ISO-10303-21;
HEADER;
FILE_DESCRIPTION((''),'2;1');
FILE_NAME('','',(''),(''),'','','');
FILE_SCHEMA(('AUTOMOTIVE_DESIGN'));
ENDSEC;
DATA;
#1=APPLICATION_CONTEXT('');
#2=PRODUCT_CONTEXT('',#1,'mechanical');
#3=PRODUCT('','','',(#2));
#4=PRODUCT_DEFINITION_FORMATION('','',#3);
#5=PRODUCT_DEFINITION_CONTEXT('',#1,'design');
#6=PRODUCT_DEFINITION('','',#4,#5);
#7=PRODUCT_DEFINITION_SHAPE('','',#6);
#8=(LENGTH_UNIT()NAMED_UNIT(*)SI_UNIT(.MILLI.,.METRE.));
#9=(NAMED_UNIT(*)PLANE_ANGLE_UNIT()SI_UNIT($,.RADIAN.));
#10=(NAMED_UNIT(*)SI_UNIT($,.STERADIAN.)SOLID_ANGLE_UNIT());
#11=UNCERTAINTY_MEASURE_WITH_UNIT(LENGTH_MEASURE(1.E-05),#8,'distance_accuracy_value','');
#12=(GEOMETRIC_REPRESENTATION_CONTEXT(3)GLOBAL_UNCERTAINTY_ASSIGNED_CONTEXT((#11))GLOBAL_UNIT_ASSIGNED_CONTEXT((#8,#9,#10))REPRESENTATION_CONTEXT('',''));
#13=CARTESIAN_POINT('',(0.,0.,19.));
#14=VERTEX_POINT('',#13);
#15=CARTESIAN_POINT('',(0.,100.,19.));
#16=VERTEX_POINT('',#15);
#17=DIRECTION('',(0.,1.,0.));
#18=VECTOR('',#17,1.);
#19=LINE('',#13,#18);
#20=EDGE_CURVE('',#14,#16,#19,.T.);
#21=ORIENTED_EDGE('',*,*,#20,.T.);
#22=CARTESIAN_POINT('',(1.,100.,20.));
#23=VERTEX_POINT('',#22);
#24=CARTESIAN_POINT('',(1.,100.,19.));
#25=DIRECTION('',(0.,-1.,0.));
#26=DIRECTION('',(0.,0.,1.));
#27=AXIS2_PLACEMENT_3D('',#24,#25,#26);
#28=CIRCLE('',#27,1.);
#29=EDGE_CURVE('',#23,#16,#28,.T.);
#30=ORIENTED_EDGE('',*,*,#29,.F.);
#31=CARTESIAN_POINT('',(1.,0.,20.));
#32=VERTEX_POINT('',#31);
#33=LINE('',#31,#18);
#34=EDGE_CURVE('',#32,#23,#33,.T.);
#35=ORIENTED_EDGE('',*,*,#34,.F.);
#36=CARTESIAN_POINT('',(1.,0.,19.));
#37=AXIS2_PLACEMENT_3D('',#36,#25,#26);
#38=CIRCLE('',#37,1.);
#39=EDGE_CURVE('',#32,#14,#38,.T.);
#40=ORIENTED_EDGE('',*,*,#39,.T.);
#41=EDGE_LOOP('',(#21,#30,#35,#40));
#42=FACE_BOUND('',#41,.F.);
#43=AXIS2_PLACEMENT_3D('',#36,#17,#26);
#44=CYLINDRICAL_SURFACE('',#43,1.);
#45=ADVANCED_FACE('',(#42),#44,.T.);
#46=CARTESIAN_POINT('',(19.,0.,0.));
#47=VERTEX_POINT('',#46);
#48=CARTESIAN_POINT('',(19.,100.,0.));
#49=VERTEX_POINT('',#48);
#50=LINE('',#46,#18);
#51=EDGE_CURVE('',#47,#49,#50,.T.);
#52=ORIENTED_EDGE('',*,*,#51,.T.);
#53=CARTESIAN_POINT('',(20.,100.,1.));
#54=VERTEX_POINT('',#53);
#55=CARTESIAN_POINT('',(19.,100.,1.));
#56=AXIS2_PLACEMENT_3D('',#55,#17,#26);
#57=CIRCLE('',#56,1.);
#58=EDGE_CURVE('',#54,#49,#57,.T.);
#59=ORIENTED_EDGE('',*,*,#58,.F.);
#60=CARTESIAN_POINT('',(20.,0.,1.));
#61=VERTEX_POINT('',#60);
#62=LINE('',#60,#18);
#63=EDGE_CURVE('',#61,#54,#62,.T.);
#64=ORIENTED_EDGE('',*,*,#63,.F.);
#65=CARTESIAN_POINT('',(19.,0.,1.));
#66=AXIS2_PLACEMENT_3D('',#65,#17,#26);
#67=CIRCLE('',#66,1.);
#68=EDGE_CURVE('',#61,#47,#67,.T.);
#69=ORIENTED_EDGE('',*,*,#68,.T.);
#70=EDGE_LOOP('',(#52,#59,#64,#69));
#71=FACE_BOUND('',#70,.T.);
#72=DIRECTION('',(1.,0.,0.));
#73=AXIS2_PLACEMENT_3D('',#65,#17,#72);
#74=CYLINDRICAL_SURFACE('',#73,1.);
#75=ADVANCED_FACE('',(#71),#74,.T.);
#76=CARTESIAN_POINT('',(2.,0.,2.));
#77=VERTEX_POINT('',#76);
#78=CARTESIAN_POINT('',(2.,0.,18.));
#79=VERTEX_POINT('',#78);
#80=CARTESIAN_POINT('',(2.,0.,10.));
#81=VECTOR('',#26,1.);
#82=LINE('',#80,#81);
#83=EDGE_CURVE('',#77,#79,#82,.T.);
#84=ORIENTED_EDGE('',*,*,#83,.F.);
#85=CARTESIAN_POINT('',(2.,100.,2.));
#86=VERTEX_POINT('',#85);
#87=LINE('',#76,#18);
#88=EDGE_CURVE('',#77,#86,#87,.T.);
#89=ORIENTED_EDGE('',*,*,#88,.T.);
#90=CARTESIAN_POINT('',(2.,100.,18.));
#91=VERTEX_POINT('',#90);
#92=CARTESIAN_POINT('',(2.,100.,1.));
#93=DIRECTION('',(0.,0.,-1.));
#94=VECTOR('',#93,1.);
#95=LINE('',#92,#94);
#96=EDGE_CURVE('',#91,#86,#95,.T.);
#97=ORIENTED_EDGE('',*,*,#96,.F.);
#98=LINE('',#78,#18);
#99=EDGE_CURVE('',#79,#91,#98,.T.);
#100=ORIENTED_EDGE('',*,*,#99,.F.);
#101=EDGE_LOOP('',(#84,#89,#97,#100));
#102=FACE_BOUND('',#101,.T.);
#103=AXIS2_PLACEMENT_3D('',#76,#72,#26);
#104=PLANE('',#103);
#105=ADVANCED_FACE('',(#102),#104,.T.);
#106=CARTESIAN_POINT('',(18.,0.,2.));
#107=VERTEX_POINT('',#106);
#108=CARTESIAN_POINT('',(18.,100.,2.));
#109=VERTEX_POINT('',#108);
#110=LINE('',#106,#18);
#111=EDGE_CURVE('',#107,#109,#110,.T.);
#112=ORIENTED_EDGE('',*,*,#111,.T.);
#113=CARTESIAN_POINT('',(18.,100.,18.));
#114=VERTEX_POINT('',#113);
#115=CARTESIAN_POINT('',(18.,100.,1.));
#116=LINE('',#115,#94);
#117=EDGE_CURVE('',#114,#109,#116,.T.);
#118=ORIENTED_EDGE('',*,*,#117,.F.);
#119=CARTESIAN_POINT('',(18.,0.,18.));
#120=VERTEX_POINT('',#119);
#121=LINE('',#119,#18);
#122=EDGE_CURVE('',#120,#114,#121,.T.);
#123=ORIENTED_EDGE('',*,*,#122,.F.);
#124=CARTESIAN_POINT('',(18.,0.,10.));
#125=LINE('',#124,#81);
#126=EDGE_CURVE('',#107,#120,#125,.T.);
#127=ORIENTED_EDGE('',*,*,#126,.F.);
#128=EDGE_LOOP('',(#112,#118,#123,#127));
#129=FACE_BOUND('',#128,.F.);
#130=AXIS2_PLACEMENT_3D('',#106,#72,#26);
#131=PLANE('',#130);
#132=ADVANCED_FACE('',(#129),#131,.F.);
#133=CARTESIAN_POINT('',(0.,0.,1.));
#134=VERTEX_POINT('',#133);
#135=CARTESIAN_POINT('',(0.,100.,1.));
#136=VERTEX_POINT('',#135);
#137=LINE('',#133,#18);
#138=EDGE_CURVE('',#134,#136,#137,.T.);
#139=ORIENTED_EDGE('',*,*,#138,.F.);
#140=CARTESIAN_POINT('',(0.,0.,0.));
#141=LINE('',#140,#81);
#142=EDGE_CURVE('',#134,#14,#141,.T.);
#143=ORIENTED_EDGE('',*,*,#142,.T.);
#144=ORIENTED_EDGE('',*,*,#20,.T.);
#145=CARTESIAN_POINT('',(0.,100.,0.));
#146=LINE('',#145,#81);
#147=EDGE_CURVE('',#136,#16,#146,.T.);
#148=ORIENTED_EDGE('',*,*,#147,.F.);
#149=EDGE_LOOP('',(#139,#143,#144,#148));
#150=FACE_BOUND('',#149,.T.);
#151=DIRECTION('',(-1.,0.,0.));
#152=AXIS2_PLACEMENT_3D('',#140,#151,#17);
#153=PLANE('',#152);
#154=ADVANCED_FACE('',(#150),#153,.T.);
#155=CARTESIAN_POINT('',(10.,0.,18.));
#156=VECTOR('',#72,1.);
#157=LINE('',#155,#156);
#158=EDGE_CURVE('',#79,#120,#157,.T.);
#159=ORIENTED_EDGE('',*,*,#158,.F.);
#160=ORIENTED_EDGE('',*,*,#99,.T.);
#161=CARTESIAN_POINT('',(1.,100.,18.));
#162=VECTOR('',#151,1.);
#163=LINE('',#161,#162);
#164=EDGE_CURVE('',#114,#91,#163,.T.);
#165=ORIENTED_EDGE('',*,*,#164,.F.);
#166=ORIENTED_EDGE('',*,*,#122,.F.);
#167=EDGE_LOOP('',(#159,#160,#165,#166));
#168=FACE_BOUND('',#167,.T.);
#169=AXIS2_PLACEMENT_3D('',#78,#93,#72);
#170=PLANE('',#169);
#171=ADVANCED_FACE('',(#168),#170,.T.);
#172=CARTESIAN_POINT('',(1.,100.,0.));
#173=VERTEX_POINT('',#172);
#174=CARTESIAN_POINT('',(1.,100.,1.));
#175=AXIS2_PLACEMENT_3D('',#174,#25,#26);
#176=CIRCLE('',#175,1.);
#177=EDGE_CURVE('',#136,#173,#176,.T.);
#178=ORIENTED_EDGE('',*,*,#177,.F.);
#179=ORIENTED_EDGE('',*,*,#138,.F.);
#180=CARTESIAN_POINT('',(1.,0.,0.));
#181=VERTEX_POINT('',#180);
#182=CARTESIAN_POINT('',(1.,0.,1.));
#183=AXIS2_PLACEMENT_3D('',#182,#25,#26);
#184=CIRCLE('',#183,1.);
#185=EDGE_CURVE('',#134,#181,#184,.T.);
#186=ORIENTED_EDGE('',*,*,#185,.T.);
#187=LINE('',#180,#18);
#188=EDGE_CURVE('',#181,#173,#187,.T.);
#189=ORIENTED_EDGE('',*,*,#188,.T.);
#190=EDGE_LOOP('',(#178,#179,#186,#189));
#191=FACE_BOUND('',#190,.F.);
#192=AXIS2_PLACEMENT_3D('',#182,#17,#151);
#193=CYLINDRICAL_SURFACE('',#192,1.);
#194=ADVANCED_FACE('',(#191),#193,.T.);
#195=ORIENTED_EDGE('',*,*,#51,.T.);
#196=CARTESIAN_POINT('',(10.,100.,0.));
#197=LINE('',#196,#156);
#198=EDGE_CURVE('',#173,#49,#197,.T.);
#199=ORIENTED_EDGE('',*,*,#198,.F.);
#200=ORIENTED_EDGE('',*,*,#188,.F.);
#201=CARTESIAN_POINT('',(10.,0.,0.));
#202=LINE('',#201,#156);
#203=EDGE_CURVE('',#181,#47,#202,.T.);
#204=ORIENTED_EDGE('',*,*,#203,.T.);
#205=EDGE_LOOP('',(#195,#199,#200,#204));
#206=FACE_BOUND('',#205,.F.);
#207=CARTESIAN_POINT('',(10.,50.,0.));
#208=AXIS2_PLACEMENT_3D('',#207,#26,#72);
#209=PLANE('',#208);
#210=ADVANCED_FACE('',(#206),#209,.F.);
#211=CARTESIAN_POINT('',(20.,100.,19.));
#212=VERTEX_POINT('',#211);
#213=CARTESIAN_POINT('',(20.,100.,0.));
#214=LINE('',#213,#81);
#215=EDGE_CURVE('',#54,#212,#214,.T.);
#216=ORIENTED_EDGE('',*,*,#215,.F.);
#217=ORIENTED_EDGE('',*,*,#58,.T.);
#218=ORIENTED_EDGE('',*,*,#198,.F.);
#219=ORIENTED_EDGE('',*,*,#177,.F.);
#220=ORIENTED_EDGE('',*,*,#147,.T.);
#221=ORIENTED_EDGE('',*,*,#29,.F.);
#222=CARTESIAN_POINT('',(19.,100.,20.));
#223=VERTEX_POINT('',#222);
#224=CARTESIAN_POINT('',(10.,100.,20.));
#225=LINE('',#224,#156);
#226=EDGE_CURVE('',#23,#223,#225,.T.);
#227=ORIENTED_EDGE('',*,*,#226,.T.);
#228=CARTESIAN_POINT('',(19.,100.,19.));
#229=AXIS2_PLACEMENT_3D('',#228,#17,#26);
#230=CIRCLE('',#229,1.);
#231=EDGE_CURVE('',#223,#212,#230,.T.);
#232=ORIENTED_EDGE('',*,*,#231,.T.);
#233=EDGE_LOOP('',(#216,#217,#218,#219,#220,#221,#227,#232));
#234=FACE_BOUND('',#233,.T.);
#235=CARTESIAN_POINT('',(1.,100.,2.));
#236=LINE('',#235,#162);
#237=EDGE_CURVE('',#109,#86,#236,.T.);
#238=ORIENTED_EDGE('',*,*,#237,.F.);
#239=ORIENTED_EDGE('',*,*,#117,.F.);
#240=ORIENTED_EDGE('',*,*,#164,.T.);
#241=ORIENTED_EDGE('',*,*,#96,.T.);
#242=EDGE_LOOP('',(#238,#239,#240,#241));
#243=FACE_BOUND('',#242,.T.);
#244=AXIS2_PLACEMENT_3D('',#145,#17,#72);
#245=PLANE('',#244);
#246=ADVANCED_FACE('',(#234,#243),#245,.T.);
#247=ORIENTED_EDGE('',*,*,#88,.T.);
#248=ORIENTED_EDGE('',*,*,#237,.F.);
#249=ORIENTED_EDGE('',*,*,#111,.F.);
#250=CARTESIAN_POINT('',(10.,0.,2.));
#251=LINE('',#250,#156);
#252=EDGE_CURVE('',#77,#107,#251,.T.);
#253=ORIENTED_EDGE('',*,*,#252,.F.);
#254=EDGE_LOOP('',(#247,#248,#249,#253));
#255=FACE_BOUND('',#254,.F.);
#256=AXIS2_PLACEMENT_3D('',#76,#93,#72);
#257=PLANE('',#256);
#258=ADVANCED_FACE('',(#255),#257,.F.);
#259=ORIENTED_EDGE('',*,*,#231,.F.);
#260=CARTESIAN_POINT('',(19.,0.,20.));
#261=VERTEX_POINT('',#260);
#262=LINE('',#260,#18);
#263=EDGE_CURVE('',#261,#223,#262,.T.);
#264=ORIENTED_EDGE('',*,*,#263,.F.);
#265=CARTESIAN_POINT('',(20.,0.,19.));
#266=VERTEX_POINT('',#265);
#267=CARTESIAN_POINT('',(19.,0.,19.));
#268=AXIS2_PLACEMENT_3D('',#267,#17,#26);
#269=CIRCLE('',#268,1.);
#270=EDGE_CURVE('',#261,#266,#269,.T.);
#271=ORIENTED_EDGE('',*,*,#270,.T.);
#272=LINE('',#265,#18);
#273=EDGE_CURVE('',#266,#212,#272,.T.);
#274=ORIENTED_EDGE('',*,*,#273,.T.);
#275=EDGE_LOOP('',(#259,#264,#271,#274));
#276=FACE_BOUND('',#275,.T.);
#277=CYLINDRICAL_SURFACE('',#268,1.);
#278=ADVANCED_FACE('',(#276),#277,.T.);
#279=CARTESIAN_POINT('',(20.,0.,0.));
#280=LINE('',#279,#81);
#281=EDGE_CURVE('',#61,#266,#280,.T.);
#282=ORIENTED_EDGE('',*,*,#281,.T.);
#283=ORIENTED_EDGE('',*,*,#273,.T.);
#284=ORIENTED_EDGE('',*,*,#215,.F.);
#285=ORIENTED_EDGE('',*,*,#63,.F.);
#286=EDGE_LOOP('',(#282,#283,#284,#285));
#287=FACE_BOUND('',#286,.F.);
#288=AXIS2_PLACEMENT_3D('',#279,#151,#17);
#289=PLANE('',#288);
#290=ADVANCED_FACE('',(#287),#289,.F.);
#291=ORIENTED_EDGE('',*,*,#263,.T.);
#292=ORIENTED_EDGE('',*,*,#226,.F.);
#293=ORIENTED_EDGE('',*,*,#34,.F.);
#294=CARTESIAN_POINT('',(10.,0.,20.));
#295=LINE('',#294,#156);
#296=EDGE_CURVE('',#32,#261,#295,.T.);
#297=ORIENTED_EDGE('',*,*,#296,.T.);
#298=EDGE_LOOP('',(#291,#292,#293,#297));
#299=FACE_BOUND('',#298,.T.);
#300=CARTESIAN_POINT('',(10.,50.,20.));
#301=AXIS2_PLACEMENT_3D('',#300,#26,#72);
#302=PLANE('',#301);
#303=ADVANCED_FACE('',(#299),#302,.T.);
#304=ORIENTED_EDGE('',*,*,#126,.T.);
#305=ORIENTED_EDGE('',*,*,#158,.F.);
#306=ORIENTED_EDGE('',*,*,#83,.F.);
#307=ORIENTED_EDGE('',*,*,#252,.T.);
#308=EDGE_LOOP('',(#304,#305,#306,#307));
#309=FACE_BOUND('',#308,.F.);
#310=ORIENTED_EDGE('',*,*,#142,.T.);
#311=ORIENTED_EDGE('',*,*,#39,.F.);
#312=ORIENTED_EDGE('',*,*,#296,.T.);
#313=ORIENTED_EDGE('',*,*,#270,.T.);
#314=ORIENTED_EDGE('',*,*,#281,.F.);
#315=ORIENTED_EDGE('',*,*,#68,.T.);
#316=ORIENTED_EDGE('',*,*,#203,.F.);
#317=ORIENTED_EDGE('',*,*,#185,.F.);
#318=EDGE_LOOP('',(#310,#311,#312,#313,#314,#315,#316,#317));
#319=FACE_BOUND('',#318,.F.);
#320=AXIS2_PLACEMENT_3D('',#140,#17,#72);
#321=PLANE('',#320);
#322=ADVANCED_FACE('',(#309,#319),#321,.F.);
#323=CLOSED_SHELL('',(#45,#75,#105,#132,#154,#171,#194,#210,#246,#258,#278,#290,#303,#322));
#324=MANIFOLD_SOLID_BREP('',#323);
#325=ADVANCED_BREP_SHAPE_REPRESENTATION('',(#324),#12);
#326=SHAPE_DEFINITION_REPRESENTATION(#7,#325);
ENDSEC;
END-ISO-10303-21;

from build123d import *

# Parameters (mm, degrees)
SKETCH_W     = 20
SKETCH_H     = 100
PAD_DEPTH    = 20
SKETCH001_W  = 16
SKETCH001_H  = 16
POCKET_DEPTH = 100.001
FILLET_R     = 1
FILLET001_R  = 1
FILLET002_R  = 1


with BuildPart() as part:
    # Sketch → Pad (new body)
    with BuildSketch(Plane.XY):
        with Locations((10, 50)):
            Rectangle(SKETCH_W, SKETCH_H)
    extrude(amount=PAD_DEPTH)

    # Sketch001 (on Face1 of Pad) → Pocket (cut, through all)
    with BuildSketch(Plane.XZ):
        with Locations((10, 10)):
            Rectangle(SKETCH001_W, SKETCH001_H)
    extrude(amount=-POCKET_DEPTH, mode=Mode.SUBTRACT)

    # Fillet
    fillet_edges = [part.edges().sort_by_distance(p)[0] for p in [
        (20, 50, 20),
    ]]
    fillet(fillet_edges, radius=FILLET_R)

    # Fillet001
    fillet001_edges = [part.edges().sort_by_distance(p)[0] for p in [
        (0, 50, 20),
    ]]
    fillet(fillet001_edges, radius=FILLET001_R)

    # Fillet002
    fillet002_edges = [part.edges().sort_by_distance(p)[0] for p in [
        (0, 50, 0),
        (20, 50, 0),
    ]]
    fillet(fillet002_edges, radius=FILLET002_R)


solid = part.part
